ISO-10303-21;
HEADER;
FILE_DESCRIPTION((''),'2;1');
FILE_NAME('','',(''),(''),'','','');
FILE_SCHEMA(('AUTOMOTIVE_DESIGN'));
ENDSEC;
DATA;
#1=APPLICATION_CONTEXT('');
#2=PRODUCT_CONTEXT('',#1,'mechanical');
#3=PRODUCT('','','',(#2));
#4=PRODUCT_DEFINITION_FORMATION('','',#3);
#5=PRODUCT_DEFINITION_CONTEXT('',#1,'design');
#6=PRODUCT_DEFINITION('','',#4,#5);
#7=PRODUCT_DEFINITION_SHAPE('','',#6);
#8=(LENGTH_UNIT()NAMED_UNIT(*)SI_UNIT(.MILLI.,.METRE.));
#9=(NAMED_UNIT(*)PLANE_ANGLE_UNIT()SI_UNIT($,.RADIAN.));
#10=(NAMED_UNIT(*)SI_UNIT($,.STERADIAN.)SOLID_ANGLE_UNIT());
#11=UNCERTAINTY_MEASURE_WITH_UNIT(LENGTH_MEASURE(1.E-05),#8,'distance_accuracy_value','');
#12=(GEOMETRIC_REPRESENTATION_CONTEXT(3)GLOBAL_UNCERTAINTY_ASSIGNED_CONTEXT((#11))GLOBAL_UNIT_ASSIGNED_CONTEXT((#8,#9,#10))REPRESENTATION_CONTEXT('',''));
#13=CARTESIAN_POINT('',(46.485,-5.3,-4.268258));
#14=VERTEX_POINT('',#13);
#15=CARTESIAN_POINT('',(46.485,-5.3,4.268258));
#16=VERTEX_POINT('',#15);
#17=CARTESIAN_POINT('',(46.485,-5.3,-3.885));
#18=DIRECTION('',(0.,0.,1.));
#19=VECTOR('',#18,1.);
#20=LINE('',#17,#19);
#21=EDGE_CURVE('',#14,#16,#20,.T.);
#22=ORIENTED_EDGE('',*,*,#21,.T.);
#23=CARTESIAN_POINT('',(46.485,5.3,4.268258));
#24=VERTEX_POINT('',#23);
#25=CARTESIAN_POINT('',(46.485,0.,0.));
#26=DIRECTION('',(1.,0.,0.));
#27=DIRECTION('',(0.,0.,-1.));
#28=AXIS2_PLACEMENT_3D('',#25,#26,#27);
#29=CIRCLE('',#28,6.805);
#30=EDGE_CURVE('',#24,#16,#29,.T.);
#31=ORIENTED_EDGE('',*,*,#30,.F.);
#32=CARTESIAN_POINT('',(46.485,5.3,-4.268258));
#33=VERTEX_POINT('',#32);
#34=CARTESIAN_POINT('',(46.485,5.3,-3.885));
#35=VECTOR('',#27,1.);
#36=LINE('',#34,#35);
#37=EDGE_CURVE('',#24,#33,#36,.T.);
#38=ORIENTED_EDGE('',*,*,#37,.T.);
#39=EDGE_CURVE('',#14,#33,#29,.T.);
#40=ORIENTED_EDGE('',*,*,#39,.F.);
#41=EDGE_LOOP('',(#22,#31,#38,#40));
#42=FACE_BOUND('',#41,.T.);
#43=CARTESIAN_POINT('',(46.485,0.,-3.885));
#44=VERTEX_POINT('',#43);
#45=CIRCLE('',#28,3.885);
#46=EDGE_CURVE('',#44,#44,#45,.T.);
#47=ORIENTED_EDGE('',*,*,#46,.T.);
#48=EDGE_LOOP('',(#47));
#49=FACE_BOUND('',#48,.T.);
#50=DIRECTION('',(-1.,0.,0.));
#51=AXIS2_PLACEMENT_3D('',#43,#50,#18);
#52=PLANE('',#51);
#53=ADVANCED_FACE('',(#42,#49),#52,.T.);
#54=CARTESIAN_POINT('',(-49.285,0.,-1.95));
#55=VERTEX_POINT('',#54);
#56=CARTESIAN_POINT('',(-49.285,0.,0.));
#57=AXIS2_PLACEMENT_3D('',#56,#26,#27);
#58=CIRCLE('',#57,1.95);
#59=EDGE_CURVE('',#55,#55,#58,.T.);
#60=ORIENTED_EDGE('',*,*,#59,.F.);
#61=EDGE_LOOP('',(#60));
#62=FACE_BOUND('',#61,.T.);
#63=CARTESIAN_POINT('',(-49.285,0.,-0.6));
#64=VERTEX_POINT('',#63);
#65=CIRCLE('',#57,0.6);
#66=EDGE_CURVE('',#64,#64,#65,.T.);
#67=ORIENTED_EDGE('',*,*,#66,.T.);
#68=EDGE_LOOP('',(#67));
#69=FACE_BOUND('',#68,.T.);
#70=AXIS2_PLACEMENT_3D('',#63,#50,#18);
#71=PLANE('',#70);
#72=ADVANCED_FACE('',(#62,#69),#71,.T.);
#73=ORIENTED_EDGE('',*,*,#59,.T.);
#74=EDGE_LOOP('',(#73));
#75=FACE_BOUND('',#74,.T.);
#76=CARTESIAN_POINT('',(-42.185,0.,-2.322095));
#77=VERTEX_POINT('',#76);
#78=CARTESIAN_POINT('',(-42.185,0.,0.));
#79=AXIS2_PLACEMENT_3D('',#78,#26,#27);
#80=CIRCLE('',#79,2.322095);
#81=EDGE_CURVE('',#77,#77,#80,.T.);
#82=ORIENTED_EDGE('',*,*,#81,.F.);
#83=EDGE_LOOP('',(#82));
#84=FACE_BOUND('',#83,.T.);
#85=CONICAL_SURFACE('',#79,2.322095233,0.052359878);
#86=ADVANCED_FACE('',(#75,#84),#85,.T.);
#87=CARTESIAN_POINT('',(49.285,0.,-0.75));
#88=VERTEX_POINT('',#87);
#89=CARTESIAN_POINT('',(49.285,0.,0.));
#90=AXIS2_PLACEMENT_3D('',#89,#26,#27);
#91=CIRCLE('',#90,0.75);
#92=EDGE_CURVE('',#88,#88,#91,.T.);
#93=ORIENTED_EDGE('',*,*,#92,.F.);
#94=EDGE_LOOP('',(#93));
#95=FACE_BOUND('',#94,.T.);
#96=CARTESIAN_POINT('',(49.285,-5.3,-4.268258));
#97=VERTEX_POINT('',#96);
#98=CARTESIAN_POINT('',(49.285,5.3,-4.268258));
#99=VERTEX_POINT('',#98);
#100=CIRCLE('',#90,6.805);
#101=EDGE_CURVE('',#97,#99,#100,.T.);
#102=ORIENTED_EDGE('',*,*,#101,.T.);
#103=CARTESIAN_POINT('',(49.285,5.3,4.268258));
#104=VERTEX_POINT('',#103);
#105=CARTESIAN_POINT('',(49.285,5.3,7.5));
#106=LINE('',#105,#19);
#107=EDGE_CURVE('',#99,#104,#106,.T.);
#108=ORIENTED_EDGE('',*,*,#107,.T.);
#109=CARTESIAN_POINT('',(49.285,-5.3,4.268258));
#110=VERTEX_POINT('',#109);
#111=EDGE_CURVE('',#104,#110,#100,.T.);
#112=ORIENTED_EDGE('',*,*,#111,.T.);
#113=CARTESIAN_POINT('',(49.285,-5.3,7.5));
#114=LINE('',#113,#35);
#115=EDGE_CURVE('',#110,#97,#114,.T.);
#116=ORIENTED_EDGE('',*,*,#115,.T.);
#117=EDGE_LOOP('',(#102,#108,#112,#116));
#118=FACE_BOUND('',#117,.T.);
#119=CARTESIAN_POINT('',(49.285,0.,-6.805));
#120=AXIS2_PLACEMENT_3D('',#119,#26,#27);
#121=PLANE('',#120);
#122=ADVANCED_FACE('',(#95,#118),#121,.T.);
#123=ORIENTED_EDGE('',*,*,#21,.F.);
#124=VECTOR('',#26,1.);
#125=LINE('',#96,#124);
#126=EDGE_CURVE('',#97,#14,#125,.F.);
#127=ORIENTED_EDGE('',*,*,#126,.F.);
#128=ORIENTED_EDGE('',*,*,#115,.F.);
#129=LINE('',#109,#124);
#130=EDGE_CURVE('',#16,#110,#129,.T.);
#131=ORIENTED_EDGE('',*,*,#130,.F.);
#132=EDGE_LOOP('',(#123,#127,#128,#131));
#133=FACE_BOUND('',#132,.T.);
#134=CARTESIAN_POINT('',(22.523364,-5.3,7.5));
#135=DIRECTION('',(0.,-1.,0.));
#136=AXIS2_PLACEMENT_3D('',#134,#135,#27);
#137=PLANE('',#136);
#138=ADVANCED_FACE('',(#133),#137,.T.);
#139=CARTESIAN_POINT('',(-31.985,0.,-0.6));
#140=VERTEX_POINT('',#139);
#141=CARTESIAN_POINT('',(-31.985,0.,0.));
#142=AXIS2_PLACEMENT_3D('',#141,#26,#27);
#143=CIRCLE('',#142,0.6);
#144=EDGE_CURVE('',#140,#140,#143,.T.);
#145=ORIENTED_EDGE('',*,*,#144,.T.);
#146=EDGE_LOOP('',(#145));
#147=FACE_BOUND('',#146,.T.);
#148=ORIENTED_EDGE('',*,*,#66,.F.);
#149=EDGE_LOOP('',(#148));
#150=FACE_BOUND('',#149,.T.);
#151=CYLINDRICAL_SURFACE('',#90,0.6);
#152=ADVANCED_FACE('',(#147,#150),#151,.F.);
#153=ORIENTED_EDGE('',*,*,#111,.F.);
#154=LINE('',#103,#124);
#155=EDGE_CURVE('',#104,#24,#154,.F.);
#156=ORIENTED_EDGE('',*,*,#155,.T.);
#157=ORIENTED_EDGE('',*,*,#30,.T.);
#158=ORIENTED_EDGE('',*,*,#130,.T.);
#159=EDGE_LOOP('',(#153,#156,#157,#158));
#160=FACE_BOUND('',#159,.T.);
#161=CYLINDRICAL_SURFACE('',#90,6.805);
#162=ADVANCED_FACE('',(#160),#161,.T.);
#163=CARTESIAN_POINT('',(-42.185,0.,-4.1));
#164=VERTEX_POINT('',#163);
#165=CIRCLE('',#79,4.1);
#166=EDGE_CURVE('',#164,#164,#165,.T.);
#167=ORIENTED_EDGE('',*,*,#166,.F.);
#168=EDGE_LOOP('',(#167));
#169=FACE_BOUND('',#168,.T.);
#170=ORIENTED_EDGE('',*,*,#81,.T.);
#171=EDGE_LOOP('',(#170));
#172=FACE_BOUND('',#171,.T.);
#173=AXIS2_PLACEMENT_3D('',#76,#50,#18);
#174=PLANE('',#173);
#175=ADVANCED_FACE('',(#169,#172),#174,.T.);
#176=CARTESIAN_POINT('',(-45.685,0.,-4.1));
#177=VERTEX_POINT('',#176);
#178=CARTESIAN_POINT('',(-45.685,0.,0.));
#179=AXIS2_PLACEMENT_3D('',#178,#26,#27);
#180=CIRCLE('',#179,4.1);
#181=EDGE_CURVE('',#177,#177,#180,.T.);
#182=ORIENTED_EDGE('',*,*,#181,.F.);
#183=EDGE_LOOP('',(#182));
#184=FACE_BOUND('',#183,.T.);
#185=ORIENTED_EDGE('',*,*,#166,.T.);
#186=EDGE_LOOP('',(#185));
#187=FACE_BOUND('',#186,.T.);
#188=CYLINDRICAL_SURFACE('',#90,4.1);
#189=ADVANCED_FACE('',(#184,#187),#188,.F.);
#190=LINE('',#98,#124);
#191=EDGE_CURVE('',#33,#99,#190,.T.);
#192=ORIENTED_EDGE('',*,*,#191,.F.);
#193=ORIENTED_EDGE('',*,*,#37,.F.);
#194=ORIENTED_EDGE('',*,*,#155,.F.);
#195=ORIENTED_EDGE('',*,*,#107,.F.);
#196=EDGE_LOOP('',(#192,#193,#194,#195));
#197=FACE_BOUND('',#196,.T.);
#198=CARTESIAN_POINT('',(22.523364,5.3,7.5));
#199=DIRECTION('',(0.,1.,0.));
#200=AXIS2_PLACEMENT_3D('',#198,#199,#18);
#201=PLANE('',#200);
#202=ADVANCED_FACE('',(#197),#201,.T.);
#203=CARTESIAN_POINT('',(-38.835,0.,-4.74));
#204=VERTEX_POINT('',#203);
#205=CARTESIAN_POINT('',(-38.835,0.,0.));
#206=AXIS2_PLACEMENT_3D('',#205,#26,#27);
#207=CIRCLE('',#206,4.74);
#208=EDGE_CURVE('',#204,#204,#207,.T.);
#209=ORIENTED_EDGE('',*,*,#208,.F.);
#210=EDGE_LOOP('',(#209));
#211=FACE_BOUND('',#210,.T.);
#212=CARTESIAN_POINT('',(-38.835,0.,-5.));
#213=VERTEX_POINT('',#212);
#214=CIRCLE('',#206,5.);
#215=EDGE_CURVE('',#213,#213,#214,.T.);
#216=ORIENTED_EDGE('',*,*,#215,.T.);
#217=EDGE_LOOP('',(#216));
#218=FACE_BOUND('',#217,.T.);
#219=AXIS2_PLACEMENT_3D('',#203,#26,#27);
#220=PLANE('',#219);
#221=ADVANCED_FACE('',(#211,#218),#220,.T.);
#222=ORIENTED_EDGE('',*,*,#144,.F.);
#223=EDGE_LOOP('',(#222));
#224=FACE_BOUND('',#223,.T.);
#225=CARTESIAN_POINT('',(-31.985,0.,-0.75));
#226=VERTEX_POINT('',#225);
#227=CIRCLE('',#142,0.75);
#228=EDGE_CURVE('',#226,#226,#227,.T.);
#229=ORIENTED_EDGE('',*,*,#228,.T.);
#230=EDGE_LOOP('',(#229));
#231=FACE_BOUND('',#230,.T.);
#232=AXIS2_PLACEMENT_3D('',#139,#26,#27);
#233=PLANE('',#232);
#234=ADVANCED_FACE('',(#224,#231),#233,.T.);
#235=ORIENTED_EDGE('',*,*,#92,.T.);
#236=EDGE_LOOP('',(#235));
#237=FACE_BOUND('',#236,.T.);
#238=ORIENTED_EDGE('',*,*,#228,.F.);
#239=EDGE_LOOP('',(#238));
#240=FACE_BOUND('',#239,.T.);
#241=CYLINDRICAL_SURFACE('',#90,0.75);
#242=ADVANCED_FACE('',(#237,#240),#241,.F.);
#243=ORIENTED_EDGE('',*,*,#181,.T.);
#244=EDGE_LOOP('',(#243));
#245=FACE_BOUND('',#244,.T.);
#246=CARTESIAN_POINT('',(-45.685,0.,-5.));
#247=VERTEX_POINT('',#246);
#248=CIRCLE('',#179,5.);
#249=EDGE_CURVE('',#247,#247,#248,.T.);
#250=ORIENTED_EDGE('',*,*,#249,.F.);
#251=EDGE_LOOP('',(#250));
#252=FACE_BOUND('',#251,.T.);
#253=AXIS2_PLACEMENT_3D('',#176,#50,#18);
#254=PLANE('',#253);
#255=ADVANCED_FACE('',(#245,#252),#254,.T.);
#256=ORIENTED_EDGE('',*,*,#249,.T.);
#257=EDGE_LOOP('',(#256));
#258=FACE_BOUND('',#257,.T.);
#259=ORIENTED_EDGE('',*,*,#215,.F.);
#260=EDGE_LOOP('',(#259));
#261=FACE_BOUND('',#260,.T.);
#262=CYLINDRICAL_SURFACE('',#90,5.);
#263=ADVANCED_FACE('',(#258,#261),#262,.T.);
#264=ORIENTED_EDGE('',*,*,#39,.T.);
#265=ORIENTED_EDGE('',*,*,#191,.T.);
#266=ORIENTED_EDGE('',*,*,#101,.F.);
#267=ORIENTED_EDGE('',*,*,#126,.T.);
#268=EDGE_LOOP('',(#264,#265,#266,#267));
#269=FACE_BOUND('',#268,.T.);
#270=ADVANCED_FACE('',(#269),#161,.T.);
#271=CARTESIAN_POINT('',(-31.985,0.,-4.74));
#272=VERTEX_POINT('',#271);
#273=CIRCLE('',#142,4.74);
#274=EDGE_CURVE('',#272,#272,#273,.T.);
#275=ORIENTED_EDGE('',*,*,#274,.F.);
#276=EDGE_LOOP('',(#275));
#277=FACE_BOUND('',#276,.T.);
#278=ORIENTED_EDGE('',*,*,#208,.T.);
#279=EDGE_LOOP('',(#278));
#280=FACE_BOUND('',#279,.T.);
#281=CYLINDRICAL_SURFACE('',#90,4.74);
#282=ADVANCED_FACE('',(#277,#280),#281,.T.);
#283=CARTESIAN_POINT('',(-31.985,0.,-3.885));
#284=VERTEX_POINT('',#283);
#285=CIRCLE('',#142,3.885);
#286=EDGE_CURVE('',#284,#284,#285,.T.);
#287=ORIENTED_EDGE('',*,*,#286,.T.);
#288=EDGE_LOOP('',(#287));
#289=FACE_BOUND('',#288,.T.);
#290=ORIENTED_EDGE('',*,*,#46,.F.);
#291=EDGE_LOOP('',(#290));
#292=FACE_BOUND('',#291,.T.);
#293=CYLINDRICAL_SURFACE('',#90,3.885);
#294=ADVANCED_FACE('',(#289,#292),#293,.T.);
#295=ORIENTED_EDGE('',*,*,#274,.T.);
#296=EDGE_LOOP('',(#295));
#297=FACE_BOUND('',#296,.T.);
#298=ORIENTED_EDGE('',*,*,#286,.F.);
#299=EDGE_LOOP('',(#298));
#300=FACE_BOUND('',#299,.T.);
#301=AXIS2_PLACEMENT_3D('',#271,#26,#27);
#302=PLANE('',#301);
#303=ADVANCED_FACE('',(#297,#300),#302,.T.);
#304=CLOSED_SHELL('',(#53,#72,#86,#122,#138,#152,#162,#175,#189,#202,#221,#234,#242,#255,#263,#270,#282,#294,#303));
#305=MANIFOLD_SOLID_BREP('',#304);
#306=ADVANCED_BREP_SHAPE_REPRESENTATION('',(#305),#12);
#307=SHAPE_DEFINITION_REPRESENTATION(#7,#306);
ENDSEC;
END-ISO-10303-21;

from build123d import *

# Parameters (mm, degrees)
SKETCH2_W          = 19
SKETCH2_H          = 14.6
SKETCH2_W_2        = 15
SKETCH2_H_2        = 10.6
CUT_EXTRUDE1_DEPTH = 2.8


with BuildPart() as part:
    # Sketch1 → Revolve1 (revolve)
    with BuildSketch(Plane(origin=(0, 0, 0), x_dir=(1, 0, 0), z_dir=(0, 1, 0))):
        Polygon((-49.285, 0.6), (-49.285, 1.95), (-42.185, 2.322095233), (-42.185, 4.1), (-45.685, 4.1), (-45.685, 5), (-38.835, 5), (-38.835, 4.74), (-31.985, 4.74), (-31.985, 3.885), (46.485, 3.885), (46.485, 6.805), (49.285, 6.805), (49.285, 0.75), (-31.985, 0.75), (-31.985, 0.6), align=None)
    revolve(axis=Axis((49.285, 0, 0), (-1, 0, 0)))

    # Sketch2 → Cut-Extrude1 (cut)
    with BuildSketch(Plane(origin=(49.285, 0, 0), x_dir=(0, 0, -1), z_dir=(1, 0, 0))):
        Rectangle(SKETCH2_W, SKETCH2_H)
        Rectangle(SKETCH2_W_2, SKETCH2_H_2, mode=Mode.SUBTRACT)
    extrude(amount=-CUT_EXTRUDE1_DEPTH, mode=Mode.SUBTRACT)


solid = part.part
